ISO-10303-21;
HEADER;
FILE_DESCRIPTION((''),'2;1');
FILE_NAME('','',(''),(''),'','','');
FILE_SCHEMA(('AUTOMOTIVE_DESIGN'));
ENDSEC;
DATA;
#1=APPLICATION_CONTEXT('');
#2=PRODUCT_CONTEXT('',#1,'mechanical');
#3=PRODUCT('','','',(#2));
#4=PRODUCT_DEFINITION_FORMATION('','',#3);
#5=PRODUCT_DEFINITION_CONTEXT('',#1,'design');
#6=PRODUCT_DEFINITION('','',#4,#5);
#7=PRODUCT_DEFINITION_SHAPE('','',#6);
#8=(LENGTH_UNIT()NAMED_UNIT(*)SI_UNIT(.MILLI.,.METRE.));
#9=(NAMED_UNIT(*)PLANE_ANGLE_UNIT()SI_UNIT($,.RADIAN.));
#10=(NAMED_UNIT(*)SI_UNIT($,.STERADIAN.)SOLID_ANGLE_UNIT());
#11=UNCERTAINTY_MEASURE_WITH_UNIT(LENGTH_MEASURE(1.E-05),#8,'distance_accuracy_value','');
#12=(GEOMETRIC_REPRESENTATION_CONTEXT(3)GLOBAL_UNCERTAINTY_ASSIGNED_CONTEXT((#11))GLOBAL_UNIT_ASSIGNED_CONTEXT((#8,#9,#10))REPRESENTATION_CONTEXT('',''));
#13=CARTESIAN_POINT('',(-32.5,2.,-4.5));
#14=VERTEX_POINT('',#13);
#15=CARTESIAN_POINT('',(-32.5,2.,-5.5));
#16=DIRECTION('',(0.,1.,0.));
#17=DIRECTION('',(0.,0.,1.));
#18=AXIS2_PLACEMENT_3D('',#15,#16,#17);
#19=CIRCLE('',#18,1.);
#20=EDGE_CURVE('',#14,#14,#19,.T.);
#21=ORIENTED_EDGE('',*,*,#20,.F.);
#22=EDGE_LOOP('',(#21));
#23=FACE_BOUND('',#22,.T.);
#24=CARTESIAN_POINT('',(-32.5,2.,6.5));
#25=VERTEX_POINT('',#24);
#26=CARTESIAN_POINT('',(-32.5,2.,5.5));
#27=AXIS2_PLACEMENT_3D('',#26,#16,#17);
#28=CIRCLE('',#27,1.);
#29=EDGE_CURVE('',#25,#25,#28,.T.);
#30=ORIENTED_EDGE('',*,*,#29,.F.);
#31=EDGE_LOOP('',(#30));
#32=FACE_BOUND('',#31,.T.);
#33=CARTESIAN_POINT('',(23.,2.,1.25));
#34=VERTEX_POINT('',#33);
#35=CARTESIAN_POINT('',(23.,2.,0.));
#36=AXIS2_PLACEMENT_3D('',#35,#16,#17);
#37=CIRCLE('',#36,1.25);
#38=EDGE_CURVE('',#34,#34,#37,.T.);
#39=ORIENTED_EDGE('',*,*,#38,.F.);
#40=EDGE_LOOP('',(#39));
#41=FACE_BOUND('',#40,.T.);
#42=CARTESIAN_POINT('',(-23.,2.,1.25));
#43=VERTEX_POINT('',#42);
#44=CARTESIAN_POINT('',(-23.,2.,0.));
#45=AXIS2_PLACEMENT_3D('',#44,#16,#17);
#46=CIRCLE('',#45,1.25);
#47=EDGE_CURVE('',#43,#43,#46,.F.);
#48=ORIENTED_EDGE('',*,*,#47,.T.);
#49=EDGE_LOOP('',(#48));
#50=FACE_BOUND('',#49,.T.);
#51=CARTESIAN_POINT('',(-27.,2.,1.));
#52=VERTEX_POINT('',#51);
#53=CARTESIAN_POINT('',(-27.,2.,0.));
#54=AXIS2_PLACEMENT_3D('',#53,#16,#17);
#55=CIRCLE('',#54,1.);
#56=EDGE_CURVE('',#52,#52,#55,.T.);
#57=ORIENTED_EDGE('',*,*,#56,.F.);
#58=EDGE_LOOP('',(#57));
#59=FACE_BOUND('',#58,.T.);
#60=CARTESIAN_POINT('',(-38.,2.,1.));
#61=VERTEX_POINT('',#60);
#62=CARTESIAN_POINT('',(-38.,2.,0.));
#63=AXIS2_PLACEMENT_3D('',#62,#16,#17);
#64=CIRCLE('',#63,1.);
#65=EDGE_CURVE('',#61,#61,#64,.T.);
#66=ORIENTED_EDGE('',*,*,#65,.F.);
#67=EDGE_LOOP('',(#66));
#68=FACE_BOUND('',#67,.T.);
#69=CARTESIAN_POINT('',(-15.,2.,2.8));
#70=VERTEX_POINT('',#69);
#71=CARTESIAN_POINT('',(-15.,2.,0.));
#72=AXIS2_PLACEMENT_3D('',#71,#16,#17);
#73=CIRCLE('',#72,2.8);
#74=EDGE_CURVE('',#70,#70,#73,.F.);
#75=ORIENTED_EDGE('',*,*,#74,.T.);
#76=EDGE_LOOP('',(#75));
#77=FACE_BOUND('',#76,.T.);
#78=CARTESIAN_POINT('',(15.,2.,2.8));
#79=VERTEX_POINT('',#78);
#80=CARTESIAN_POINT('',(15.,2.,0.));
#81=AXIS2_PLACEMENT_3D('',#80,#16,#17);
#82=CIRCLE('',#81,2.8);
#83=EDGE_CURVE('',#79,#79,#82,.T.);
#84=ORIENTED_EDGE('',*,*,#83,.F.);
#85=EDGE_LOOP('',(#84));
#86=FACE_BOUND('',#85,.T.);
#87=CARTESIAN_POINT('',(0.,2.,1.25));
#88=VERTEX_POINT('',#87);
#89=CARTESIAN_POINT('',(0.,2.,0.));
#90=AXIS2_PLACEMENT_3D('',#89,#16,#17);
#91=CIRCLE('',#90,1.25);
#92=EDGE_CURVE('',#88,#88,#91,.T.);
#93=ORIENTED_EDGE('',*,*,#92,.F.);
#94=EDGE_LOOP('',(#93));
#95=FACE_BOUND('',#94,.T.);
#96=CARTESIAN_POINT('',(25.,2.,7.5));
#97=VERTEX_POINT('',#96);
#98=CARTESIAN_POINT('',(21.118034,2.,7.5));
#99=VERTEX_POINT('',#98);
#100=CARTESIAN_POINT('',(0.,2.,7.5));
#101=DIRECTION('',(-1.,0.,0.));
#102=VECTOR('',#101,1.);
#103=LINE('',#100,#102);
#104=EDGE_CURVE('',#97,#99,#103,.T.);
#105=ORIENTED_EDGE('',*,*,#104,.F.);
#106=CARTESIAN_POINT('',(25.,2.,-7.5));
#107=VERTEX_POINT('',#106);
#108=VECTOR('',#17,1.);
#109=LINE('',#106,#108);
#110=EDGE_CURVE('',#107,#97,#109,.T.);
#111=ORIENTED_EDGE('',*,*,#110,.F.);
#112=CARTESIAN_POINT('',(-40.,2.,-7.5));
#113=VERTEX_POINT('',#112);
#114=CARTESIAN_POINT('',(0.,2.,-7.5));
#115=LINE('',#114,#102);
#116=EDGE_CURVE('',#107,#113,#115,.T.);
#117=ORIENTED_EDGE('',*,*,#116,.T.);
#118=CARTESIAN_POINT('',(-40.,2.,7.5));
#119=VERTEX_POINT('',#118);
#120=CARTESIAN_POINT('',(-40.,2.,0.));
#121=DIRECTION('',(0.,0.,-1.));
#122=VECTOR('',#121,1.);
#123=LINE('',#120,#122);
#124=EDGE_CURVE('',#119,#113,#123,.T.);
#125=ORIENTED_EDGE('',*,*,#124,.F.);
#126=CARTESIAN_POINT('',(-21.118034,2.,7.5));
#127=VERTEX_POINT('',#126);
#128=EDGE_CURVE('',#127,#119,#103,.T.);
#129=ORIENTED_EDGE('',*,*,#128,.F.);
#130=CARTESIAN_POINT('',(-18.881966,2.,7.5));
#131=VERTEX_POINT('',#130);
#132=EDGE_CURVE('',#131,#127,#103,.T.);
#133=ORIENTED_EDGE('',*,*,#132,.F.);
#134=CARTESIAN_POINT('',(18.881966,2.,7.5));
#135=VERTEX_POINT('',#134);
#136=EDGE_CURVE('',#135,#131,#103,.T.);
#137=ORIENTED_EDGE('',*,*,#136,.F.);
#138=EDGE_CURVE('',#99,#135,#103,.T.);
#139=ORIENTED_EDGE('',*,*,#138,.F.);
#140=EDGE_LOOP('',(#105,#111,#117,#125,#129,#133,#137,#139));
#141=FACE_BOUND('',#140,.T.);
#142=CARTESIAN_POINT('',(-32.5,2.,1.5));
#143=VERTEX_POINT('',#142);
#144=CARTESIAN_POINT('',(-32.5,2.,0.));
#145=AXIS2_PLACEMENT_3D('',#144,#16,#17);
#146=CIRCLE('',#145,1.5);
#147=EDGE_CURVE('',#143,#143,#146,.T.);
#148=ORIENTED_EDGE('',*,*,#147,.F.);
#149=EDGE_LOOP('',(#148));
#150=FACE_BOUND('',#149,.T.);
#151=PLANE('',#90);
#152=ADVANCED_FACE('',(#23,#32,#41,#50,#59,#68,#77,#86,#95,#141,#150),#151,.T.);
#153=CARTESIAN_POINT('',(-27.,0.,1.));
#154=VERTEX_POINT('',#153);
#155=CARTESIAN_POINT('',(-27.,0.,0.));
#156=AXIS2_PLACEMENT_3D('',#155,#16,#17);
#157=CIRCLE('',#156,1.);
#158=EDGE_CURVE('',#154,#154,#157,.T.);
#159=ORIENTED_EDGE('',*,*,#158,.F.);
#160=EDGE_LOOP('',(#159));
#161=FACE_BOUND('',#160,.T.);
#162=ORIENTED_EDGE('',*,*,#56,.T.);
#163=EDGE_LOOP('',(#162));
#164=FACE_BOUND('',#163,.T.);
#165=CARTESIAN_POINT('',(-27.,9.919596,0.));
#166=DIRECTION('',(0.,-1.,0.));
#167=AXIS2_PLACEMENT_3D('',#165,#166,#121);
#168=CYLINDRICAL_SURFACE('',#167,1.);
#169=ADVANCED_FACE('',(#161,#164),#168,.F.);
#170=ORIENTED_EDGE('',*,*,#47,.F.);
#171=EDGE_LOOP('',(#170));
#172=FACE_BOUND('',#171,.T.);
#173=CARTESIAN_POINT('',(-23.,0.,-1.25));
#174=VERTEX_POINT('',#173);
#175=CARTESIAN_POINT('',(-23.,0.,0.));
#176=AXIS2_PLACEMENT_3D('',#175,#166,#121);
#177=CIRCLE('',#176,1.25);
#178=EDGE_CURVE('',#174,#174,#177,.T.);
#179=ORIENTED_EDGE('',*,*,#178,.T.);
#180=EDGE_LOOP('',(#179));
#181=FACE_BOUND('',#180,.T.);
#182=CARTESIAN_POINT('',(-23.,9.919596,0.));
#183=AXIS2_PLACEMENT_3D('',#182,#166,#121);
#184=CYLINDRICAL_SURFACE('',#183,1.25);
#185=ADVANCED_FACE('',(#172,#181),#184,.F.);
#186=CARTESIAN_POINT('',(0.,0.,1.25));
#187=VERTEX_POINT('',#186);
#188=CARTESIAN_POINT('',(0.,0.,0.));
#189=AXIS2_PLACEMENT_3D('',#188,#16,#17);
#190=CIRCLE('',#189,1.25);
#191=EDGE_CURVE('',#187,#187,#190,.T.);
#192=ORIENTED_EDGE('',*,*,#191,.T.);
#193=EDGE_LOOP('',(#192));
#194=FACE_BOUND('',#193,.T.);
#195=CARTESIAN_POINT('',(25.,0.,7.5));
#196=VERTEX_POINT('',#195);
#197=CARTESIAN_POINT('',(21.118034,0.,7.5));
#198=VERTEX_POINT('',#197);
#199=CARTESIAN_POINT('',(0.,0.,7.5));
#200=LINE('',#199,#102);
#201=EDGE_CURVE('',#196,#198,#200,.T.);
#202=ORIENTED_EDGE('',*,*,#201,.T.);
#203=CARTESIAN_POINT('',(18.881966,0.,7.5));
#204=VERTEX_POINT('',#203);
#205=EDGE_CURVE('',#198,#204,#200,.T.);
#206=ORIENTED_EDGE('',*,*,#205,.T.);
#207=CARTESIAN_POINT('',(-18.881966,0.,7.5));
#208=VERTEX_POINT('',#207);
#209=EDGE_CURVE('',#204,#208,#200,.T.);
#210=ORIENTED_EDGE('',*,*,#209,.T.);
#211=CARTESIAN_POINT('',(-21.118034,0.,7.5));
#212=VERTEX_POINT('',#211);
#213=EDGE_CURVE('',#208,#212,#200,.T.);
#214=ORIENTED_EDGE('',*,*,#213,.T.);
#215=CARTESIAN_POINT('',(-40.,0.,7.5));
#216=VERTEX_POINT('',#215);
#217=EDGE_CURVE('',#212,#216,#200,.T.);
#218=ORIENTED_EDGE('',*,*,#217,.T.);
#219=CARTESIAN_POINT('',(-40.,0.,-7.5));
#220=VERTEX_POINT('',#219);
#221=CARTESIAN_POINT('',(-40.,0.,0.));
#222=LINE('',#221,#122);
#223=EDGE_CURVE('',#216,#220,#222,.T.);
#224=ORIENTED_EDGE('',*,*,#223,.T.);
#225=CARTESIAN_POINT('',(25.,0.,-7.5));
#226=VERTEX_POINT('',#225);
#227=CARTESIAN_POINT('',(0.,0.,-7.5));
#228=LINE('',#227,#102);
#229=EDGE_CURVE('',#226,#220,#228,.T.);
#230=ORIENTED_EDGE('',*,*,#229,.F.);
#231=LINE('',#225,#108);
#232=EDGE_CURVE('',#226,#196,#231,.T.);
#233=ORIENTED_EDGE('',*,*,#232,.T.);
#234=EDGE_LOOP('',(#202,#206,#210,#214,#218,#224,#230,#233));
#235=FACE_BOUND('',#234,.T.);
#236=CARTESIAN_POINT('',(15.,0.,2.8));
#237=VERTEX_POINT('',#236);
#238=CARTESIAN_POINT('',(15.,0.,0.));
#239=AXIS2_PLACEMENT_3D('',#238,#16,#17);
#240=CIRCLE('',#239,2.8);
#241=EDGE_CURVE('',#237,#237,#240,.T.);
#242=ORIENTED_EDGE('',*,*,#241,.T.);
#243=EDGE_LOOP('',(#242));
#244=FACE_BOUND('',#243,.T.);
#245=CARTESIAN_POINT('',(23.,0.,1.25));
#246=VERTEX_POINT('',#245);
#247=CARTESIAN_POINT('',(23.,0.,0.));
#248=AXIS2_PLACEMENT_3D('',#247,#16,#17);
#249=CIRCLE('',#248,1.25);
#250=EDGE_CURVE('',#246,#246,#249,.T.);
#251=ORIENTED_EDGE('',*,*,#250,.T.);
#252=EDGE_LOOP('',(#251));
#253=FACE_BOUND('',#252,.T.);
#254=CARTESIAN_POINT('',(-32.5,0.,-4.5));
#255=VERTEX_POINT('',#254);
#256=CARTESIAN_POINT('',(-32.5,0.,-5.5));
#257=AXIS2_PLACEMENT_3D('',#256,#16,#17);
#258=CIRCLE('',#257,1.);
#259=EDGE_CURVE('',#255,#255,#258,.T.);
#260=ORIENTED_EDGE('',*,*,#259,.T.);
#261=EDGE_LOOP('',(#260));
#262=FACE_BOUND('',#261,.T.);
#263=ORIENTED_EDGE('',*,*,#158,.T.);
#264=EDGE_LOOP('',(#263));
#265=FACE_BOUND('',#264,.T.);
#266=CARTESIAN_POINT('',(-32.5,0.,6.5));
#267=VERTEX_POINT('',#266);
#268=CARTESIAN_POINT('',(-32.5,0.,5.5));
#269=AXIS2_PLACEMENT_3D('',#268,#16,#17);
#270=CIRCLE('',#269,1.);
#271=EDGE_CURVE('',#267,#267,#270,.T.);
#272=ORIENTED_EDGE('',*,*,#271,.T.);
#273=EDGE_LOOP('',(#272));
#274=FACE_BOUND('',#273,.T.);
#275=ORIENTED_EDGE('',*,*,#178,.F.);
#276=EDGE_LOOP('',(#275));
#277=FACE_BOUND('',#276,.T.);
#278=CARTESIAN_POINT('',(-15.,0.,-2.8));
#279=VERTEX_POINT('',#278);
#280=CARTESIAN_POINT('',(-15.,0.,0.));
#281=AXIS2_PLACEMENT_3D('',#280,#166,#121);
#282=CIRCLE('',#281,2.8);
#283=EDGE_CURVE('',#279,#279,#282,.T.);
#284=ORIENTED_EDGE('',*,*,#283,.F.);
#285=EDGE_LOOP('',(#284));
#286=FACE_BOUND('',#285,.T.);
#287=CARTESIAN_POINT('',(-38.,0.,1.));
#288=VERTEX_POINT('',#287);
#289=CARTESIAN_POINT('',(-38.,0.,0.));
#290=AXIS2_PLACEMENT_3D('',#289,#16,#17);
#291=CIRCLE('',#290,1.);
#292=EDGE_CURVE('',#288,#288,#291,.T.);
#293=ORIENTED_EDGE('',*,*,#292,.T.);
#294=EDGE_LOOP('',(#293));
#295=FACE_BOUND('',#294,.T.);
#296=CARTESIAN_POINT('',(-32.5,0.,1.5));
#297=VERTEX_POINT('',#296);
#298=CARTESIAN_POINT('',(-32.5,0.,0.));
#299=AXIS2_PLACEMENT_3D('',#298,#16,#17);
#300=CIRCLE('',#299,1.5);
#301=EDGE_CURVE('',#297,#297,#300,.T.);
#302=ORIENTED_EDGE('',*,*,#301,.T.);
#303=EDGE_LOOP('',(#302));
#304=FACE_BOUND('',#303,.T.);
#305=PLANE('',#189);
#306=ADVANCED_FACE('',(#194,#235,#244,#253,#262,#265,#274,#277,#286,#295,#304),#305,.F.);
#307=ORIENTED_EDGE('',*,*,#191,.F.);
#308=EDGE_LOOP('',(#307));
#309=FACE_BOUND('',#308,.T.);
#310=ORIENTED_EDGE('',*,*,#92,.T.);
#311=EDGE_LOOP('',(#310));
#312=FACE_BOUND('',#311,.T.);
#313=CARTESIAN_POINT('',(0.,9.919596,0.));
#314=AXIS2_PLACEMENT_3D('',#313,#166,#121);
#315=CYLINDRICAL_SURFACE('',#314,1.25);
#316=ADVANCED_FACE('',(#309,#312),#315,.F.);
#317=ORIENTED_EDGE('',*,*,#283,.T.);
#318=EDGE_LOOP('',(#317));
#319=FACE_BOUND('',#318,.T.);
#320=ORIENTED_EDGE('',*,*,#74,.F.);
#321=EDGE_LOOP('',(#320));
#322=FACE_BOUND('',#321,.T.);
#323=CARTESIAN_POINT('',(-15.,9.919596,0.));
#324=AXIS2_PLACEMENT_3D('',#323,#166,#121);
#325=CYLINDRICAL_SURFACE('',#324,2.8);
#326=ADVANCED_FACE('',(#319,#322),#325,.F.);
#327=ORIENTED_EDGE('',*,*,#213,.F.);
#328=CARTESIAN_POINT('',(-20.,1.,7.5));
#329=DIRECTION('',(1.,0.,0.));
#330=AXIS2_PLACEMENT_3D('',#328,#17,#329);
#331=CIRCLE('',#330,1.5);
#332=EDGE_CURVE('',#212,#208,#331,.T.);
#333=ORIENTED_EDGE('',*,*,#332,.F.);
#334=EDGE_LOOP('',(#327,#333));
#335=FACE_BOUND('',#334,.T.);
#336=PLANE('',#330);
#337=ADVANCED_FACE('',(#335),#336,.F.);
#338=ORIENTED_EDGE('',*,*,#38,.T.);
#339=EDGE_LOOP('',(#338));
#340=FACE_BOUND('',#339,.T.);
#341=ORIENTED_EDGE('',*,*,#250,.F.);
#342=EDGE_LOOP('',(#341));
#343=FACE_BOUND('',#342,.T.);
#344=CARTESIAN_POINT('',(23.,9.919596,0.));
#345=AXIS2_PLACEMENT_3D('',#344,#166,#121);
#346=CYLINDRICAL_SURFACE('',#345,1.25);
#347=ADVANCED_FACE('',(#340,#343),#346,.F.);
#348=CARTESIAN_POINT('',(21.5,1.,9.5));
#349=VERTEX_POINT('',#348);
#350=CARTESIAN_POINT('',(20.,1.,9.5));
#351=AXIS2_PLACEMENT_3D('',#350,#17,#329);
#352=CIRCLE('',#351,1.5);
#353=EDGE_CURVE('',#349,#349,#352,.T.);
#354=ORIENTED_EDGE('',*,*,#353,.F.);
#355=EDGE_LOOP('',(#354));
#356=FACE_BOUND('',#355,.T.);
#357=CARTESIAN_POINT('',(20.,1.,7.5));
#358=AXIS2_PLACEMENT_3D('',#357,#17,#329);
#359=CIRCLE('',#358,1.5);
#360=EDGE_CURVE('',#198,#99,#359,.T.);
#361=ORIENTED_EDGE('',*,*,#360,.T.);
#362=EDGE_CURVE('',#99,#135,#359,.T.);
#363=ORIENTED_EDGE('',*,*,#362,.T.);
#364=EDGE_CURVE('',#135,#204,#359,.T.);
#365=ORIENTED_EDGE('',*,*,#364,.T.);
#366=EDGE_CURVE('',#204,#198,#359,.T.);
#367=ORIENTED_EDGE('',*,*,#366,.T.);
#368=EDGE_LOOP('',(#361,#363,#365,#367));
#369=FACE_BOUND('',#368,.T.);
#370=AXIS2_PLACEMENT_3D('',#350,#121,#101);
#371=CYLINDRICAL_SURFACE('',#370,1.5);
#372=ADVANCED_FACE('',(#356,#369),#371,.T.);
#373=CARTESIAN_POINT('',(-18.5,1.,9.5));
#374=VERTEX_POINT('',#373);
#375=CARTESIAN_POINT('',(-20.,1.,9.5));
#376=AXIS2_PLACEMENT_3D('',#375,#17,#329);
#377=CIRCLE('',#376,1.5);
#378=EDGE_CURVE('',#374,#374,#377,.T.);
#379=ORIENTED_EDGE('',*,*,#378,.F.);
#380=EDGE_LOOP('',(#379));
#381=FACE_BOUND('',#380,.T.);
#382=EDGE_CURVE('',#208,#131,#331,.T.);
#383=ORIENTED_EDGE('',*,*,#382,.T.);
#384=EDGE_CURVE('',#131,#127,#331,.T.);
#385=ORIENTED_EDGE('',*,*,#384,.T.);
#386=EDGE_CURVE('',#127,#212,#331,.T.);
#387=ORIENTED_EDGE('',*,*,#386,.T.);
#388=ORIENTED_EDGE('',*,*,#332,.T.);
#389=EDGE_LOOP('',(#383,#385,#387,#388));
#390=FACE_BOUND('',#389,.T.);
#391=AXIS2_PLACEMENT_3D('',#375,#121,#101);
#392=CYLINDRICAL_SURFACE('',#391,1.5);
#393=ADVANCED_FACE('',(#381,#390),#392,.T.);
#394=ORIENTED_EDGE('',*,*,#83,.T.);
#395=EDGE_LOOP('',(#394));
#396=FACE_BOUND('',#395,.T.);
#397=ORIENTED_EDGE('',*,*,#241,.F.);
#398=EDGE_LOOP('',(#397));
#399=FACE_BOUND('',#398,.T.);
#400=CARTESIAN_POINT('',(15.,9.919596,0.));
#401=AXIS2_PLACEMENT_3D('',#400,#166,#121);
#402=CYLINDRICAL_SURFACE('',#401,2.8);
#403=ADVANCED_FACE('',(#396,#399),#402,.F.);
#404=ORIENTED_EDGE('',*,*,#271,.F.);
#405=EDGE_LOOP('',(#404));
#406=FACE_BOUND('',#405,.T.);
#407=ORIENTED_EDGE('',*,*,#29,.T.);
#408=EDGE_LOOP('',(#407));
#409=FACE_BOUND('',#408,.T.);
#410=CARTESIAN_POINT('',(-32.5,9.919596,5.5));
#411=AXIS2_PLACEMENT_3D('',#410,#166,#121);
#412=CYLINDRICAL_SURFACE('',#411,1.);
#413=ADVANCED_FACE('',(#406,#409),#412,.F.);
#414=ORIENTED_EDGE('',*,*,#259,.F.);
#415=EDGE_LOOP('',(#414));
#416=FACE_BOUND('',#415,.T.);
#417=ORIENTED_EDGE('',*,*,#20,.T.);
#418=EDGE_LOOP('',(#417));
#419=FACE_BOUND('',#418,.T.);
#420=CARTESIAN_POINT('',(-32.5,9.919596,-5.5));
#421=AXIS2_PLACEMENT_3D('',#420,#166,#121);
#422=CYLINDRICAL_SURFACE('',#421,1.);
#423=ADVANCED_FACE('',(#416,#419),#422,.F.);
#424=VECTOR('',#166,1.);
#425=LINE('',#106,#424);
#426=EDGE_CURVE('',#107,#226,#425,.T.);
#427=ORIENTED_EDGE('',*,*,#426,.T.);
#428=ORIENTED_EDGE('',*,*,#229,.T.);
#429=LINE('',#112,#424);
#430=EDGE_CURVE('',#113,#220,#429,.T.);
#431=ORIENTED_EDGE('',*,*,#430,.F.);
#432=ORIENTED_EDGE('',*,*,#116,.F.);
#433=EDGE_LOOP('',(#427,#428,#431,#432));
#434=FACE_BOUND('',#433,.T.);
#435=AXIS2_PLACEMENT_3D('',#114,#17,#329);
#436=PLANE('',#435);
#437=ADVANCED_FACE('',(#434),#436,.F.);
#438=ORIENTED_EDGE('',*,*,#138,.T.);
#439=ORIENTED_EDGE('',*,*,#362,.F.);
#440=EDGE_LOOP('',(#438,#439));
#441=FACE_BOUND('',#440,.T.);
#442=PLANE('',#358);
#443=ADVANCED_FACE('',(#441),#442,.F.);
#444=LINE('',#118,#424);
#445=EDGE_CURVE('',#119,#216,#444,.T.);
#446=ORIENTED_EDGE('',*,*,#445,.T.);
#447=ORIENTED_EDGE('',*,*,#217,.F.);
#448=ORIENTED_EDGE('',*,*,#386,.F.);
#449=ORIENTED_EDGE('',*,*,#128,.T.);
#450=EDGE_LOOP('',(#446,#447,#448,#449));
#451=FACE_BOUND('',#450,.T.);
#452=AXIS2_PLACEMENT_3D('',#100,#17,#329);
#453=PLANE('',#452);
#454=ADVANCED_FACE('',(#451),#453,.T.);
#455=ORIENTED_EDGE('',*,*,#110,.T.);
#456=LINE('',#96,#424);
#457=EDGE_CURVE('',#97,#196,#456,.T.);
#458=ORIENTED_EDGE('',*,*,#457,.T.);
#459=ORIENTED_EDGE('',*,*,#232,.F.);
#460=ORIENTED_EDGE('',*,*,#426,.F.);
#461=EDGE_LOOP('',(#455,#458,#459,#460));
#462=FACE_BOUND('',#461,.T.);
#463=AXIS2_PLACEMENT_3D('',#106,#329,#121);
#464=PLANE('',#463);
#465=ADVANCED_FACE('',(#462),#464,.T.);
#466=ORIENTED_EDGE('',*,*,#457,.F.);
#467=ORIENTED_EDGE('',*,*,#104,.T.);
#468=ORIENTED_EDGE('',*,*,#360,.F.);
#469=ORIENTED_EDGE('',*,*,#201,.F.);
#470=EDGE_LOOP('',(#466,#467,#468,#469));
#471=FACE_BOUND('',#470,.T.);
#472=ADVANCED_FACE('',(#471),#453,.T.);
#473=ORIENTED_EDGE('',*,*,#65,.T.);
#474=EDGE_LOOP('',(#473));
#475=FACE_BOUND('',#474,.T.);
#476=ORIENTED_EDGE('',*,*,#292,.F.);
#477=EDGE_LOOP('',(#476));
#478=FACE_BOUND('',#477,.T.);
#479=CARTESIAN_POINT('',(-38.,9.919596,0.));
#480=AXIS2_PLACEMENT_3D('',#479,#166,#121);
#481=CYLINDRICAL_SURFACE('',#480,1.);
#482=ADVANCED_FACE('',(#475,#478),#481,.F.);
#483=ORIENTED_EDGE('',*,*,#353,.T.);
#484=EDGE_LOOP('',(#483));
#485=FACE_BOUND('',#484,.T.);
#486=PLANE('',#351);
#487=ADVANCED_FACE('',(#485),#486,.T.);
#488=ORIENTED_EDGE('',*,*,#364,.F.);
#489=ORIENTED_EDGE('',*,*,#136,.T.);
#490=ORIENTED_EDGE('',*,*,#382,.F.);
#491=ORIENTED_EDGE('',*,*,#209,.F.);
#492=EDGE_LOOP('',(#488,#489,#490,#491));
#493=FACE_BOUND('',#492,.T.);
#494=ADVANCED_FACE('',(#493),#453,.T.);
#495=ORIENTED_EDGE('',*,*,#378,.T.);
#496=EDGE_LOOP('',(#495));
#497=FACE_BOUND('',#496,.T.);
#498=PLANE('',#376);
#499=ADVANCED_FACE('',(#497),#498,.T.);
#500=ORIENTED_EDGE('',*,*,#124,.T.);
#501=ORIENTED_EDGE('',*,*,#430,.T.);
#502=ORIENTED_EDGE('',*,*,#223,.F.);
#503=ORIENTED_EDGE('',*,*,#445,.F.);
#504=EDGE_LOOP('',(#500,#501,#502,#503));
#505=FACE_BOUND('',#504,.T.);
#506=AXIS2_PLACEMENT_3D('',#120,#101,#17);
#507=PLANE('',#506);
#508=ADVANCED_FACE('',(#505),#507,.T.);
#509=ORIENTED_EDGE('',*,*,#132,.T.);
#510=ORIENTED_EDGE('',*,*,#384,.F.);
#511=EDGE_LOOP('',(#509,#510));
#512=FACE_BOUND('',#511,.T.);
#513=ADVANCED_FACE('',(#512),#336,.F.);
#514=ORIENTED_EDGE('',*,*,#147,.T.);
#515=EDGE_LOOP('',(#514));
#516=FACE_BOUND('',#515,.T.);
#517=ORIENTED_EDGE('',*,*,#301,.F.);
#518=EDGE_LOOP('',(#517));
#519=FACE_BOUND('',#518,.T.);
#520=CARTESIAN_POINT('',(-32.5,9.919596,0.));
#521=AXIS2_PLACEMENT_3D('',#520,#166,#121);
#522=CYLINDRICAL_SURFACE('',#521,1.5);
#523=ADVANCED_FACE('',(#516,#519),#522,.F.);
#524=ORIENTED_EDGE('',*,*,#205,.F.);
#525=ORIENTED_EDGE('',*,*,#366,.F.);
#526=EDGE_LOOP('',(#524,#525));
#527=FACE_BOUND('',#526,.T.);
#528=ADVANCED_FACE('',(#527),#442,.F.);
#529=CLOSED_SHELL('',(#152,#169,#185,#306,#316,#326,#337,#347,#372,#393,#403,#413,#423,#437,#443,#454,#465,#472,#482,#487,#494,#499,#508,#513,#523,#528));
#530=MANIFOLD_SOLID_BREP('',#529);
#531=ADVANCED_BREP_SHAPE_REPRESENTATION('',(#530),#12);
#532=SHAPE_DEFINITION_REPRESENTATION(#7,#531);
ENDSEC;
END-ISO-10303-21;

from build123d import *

# Parameters (mm, degrees)
SKETCH_1_W          = 65
SKETCH_1_H          = 15
EXTRUDE_1_DEPTH     = 2
SKETCH_2_R          = 1.25
SKETCH_2_R_2        = 2.8
SKETCH_2_R_3        = 1.5
SKETCH_2_R_4        = 1
CUT_EXTRUDE_1_DEPTH = 2
SKETCH_4_R          = 1.5
EXTRUDE_2_DEPTH     = 2


with BuildPart() as part:
    # 草图1 → 凸台-拉伸1 (new body)
    with BuildSketch(Plane(origin=(0, 0, 0), x_dir=(1, 0, 0), z_dir=(0, 1, 0))):
        with Locations((-7.5, 0)):
            Rectangle(SKETCH_1_W, SKETCH_1_H)
    extrude(amount=EXTRUDE_1_DEPTH)

    # 草图2 → 切除-拉伸1 (cut)
    with BuildSketch(Plane(origin=(0, 0, 0), x_dir=(1, 0, 0), z_dir=(0, 1, 0))):
        with Locations(Location((0, 0, 0), (0, 0, 270))):
            Circle(SKETCH_2_R)
        with Locations(Location((15, 0, 0), (0, 0, 270))):
            Circle(SKETCH_2_R_2)
        with Locations(Location((-15, 0, 0), (0, 0, 90))):
            Circle(SKETCH_2_R_2)
        with Locations(Location((23, 0, 0), (0, 0, 270))):
            Circle(SKETCH_2_R)
        with Locations(Location((-23, 0, 0), (0, 0, 90))):
            Circle(SKETCH_2_R)
        with Locations(Location((-32.5, 0, 0), (0, 0, 270))):
            Circle(SKETCH_2_R_3)
        with Locations(Location((-27, 0, 0), (0, 0, 270))):
            Circle(SKETCH_2_R_4)
        with Locations(Location((-32.5, -5.5, 0), (0, 0, 270))):
            Circle(SKETCH_2_R_4)
        with Locations(Location((-38, 0, 0), (0, 0, 270))):
            Circle(SKETCH_2_R_4)
        with Locations(Location((-32.5, 5.5, 0), (0, 0, 270))):
            Circle(SKETCH_2_R_4)
    extrude(amount=CUT_EXTRUDE_1_DEPTH, mode=Mode.SUBTRACT)

    # 草图4 → 凸台-拉伸2 (add)
    with BuildSketch(Plane.XY.offset(7.5)):
        with Locations(Location((20, 1, 0), (0, 0, 221.810314896))):
            Circle(SKETCH_4_R)
        with Locations(Location((-20, 1, 0), (0, 0, 221.810314896))):
            Circle(SKETCH_4_R)
    extrude(amount=EXTRUDE_2_DEPTH)


solid = part.part
